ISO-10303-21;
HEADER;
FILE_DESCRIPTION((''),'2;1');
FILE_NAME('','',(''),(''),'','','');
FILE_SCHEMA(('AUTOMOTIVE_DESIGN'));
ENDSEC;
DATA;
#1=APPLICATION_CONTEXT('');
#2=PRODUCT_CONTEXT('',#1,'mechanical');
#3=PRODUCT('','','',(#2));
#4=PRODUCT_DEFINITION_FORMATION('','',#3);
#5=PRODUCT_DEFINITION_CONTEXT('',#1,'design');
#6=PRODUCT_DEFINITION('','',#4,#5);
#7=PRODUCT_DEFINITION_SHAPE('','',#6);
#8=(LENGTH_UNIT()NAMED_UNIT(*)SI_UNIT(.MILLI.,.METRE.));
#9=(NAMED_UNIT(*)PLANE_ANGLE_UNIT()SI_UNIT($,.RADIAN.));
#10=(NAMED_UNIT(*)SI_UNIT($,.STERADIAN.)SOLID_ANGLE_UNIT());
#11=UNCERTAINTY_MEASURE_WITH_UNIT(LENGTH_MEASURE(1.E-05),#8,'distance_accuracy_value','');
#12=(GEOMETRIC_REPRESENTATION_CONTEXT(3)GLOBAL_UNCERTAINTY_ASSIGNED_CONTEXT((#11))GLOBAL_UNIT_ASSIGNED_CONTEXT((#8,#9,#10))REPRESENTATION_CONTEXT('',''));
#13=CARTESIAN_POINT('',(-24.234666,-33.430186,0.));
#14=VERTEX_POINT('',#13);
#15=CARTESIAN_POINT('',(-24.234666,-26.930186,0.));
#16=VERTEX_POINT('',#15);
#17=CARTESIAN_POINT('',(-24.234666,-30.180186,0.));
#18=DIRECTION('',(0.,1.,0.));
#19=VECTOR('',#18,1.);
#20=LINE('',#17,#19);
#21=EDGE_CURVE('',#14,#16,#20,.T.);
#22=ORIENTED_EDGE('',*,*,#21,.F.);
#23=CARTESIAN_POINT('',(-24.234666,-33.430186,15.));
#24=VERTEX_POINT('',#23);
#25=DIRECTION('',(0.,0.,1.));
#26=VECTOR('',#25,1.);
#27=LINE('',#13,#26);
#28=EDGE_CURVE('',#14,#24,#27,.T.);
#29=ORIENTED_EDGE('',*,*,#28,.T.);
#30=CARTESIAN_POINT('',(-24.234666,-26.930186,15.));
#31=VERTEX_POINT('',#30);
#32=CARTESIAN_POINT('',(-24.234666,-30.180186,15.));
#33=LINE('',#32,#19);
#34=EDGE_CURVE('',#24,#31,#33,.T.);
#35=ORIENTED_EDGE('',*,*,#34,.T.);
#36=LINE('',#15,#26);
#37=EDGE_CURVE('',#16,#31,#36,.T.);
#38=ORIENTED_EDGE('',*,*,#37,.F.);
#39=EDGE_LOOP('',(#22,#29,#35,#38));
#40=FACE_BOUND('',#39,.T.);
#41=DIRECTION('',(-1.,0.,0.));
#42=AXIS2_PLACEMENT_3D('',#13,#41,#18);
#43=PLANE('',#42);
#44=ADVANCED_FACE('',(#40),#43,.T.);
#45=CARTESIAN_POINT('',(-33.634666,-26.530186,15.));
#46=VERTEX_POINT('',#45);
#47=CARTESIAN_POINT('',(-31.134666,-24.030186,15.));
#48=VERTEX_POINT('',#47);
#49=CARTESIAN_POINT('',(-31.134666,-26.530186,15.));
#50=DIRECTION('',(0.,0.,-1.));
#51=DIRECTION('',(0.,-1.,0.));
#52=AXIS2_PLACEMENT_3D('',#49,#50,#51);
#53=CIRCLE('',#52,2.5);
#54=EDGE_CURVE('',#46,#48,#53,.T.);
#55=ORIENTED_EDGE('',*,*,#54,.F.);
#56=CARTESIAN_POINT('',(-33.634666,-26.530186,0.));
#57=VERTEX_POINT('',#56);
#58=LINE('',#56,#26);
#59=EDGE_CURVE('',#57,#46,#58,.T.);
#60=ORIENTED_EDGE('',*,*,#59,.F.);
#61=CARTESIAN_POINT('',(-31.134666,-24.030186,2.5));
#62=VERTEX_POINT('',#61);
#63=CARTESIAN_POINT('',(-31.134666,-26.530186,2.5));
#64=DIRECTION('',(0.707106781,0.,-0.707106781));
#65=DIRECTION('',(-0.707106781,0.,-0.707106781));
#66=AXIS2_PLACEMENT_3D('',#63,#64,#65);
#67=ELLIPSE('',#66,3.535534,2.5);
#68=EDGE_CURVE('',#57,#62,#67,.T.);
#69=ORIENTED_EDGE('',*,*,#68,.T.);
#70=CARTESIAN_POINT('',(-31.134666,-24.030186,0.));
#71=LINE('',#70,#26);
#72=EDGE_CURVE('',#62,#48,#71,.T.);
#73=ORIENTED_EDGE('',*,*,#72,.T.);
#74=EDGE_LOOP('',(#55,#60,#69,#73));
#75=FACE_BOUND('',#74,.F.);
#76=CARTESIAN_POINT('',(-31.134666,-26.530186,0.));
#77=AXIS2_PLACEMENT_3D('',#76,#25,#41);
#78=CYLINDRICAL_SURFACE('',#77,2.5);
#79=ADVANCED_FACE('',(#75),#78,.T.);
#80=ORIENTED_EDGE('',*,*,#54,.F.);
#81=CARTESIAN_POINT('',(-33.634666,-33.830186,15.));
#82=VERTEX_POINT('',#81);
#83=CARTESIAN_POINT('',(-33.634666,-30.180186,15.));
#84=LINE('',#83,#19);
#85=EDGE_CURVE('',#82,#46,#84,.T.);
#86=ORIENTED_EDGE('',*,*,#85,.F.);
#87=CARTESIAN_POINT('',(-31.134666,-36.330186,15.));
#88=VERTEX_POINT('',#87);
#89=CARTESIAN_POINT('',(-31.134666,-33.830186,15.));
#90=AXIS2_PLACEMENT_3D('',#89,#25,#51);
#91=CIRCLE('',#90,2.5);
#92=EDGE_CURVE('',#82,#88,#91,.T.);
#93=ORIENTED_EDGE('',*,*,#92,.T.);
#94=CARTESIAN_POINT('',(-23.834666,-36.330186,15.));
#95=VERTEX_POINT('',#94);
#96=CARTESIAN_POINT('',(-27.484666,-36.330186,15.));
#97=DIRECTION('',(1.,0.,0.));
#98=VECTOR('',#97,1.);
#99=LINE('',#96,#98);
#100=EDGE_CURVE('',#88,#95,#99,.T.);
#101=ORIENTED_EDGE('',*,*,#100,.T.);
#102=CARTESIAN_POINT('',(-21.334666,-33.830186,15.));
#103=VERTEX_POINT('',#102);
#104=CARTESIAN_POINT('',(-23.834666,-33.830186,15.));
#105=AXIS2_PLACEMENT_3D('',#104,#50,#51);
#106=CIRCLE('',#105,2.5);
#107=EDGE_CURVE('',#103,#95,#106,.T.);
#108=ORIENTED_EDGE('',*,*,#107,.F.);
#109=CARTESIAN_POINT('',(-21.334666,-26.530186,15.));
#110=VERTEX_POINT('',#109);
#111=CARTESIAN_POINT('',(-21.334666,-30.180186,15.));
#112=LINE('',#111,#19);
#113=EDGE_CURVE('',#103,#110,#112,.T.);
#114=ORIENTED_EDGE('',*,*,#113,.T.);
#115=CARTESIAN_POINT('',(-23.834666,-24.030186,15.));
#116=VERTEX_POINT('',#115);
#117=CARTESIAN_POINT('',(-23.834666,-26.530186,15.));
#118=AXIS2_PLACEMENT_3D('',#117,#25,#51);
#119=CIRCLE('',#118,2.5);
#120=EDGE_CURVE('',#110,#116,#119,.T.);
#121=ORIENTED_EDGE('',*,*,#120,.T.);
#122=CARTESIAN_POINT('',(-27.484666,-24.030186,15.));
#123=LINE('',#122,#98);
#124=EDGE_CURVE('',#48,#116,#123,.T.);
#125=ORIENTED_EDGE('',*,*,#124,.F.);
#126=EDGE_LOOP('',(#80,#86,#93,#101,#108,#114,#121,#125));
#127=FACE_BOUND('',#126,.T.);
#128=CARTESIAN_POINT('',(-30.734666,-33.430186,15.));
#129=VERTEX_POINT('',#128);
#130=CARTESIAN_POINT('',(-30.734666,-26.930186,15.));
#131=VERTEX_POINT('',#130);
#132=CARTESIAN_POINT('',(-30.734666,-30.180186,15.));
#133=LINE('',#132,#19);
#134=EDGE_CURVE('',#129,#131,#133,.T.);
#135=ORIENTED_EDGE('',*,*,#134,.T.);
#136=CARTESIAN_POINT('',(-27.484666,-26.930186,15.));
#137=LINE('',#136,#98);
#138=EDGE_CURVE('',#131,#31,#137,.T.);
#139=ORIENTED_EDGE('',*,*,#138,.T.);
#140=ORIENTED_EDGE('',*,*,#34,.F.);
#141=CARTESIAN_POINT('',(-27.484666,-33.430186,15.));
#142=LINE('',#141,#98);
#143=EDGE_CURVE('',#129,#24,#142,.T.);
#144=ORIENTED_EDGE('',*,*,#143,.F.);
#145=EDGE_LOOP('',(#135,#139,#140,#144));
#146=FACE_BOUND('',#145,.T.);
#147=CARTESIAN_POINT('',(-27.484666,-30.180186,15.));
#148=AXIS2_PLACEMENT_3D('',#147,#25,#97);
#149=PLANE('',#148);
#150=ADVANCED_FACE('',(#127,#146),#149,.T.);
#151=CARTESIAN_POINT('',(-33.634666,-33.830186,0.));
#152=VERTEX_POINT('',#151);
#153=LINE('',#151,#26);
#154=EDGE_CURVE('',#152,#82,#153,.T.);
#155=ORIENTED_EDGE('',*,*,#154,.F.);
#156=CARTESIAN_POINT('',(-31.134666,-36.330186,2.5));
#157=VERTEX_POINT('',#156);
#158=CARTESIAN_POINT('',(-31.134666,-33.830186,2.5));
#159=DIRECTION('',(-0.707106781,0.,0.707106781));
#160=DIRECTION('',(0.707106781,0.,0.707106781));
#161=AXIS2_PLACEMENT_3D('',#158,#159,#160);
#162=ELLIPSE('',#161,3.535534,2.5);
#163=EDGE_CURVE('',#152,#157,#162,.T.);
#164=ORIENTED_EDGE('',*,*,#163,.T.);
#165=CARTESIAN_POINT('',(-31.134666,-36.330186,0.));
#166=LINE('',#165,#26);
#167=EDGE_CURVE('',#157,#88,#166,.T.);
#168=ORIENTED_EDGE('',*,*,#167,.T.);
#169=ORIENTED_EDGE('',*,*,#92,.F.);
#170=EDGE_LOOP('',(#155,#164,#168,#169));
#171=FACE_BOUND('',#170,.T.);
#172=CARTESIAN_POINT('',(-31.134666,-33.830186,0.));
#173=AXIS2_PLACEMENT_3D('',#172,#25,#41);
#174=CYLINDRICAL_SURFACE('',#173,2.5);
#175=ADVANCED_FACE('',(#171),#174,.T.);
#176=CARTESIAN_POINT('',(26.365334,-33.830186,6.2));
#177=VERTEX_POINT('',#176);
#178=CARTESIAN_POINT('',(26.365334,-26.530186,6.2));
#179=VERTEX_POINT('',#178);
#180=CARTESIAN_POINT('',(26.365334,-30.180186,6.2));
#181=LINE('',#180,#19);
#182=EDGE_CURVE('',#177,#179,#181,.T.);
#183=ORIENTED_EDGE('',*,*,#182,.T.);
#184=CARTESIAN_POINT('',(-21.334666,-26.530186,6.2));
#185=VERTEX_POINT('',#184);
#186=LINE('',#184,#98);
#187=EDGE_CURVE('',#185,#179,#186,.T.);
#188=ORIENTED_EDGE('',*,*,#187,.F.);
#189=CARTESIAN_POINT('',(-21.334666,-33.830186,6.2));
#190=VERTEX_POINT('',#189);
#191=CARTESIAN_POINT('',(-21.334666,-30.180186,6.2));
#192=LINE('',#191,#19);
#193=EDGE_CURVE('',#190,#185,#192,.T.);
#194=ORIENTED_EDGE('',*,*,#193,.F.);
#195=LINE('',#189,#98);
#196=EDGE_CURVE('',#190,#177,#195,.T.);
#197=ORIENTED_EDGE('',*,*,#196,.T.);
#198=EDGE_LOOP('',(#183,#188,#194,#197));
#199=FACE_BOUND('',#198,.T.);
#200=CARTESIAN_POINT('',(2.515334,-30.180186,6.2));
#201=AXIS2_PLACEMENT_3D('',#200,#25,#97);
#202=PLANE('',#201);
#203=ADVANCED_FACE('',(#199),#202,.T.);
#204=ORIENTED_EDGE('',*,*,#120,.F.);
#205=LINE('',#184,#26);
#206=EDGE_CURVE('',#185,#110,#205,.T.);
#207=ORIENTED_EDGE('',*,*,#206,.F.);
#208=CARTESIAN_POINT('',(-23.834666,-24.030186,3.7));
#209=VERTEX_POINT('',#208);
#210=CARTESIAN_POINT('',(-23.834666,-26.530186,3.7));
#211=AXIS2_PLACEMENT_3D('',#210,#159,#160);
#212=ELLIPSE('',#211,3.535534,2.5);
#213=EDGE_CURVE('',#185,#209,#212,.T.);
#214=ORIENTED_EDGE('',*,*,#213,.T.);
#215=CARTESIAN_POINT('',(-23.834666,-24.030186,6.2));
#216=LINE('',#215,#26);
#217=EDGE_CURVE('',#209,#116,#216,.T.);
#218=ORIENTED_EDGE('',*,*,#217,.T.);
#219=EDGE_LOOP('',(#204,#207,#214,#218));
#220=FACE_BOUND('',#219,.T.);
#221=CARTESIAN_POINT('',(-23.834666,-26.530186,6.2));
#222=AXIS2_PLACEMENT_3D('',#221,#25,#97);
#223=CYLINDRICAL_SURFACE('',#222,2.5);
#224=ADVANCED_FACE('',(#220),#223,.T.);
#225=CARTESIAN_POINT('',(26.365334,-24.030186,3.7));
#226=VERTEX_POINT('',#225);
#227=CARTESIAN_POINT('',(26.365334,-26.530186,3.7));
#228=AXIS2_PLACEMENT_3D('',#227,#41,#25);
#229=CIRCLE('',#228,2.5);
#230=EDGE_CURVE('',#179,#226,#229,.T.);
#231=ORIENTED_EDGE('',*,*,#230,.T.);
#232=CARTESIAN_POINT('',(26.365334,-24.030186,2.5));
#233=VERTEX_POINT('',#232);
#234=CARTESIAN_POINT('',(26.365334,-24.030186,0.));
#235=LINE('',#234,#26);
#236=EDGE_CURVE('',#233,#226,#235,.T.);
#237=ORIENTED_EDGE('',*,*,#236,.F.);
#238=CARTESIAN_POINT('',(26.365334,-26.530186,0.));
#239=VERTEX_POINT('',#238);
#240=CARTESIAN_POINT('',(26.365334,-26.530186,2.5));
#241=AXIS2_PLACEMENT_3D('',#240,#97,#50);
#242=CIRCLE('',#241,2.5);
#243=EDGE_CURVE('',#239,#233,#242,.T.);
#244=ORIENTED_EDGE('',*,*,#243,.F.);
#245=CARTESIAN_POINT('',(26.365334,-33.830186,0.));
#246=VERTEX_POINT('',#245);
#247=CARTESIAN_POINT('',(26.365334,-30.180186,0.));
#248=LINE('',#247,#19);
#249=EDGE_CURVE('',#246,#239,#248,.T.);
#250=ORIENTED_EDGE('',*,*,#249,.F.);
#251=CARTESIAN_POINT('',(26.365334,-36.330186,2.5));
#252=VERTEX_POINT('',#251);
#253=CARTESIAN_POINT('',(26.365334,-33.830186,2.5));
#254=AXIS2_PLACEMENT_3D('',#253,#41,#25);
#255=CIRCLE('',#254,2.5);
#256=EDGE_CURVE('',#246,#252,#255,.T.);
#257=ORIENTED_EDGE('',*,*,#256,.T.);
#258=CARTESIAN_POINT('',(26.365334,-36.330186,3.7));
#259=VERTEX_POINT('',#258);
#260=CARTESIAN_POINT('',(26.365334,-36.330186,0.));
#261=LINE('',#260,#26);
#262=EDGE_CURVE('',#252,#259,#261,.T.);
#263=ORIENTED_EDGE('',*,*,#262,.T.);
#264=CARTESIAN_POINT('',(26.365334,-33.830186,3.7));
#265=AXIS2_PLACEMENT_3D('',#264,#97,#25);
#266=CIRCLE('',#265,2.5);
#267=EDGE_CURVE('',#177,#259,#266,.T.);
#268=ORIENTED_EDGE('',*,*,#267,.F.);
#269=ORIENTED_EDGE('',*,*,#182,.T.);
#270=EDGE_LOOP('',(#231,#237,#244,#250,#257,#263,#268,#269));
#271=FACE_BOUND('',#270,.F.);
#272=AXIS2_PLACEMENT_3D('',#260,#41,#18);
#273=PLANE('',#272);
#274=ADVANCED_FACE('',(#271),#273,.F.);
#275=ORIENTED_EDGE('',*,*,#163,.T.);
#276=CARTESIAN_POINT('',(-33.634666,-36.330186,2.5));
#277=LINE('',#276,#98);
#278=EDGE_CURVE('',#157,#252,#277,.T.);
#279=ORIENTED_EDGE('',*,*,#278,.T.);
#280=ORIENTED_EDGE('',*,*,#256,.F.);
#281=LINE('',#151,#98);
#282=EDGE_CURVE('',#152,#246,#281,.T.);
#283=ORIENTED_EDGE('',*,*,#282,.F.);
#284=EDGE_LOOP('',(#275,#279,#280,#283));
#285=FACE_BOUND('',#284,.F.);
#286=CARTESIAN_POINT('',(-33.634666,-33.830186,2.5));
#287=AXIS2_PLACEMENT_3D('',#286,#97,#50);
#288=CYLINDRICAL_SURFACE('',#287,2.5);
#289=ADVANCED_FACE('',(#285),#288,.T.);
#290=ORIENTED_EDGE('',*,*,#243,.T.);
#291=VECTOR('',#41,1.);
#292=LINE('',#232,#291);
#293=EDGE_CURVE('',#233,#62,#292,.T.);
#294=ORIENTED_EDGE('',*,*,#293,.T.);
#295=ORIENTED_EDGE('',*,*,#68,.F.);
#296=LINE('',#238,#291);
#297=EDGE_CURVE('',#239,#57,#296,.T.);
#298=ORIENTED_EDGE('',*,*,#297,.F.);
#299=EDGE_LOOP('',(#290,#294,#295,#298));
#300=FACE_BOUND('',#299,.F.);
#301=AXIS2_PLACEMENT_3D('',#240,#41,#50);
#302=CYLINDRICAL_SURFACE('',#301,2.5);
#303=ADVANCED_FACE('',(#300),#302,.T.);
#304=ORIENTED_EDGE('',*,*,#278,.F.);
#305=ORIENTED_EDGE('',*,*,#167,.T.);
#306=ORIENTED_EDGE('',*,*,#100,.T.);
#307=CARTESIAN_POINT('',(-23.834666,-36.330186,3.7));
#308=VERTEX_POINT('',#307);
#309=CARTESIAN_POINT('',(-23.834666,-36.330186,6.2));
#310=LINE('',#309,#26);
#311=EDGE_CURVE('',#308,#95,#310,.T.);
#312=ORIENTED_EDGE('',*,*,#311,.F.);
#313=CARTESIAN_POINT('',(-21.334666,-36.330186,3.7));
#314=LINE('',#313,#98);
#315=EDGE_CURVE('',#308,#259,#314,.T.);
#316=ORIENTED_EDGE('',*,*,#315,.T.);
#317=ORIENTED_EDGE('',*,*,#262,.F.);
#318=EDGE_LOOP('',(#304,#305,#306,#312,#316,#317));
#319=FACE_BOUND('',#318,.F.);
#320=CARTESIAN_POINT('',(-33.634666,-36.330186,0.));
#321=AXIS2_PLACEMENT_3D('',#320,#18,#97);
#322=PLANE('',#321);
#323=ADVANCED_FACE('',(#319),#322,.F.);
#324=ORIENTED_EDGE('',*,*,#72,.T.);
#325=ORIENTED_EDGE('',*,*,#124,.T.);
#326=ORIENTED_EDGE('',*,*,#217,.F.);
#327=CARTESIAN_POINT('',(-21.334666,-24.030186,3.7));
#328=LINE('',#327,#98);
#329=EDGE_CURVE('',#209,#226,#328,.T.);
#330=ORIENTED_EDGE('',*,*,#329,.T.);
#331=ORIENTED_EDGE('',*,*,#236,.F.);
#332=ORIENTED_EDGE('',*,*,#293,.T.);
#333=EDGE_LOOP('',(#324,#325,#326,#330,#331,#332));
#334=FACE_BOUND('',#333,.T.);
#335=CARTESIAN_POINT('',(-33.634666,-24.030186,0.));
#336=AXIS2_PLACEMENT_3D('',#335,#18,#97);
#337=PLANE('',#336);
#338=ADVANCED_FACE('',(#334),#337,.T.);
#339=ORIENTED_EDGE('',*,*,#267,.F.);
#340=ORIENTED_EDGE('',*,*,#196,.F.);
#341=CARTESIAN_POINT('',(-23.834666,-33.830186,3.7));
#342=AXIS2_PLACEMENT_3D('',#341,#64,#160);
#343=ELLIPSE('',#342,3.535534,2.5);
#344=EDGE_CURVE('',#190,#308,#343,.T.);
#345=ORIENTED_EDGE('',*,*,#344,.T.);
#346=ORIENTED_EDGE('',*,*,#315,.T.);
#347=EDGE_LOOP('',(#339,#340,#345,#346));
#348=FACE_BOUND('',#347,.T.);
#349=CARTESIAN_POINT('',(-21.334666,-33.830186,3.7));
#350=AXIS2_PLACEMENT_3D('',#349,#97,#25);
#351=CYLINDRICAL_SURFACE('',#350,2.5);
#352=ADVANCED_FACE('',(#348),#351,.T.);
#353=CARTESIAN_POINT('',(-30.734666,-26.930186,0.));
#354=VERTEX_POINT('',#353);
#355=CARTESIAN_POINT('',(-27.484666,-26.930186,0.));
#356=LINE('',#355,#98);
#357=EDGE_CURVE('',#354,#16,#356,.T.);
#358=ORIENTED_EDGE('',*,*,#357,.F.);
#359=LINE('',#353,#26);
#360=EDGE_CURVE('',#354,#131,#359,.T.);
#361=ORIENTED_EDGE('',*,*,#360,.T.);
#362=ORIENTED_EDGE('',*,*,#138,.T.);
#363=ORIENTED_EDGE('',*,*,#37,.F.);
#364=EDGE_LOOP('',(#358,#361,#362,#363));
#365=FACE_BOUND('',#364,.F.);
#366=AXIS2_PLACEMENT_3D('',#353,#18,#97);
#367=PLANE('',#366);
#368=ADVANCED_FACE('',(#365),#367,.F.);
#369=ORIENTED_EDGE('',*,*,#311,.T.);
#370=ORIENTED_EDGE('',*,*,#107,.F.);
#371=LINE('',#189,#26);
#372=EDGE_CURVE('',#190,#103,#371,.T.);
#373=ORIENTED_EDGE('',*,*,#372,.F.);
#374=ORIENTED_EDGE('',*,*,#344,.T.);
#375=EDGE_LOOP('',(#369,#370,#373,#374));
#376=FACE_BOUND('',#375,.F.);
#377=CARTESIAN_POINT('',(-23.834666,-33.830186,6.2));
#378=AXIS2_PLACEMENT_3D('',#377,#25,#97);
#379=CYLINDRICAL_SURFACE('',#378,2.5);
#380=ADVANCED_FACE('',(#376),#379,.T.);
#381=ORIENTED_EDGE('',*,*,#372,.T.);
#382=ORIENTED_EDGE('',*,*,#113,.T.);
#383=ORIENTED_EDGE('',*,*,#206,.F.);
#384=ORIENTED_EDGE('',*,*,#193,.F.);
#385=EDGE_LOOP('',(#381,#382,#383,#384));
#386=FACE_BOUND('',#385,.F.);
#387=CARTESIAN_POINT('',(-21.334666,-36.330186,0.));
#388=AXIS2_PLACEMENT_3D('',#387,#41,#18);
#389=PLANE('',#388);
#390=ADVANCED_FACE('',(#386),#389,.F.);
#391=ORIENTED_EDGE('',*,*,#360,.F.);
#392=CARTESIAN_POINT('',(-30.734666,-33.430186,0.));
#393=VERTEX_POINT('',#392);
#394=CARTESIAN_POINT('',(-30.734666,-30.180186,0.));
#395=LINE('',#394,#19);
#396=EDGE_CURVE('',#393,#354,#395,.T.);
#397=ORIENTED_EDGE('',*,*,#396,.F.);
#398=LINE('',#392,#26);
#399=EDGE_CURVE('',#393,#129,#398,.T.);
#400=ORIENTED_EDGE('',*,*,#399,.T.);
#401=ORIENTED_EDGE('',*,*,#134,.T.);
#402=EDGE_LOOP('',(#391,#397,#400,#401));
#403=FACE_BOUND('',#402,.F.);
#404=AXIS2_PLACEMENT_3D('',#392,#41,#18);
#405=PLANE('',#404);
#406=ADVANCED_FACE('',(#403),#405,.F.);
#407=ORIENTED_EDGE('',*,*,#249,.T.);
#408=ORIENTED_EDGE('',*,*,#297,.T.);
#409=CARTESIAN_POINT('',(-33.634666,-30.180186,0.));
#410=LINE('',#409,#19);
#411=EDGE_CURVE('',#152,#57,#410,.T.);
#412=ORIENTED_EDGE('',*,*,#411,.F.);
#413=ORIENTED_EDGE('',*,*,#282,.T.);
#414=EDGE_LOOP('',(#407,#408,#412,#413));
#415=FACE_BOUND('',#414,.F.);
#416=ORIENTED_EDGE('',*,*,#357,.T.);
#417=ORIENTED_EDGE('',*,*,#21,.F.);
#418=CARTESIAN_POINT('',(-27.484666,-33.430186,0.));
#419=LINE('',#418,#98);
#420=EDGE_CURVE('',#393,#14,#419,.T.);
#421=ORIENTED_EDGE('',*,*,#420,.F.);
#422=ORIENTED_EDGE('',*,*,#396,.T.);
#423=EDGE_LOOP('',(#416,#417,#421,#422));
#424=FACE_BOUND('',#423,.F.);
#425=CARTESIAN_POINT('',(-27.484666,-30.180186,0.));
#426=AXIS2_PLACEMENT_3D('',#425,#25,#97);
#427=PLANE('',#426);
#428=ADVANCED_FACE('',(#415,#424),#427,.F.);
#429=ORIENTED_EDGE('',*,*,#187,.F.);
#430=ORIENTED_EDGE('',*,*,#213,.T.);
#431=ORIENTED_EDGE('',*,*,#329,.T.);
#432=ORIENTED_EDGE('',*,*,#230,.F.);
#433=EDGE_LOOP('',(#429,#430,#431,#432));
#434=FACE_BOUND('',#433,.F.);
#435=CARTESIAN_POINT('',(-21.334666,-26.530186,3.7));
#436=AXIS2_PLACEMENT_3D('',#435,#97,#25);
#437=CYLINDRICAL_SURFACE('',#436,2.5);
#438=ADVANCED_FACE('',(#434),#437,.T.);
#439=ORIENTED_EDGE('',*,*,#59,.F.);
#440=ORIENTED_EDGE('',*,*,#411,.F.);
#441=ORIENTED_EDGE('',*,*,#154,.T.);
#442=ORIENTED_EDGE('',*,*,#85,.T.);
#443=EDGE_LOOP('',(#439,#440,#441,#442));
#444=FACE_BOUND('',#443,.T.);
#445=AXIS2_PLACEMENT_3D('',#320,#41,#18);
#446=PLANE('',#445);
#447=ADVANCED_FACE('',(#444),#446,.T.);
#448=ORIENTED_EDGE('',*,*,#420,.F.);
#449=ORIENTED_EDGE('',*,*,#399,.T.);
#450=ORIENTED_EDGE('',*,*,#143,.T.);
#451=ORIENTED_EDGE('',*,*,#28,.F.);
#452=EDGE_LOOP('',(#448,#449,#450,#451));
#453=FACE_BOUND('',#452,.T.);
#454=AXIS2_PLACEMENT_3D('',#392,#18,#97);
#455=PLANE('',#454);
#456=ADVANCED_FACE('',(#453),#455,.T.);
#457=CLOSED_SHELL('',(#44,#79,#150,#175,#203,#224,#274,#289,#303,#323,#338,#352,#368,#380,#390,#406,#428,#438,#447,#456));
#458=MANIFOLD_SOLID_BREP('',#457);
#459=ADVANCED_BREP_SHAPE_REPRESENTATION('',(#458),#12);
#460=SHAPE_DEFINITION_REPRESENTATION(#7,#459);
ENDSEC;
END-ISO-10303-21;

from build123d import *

# Parameters (mm, degrees)
F0_W     = 47.7
F0_H     = 12.3
F1_DEPTH = 6.2
F0_W_2   = 12.3
F0_W_3   = 6.5
F0_H_2   = 6.5
F2_DEPTH = 15
F3_R     = 2.5


with BuildPart() as f1:
    # F0 (on Top) → F1 (new body)
    with BuildSketch(Plane.XY):
        with Locations((2.515334, -30.180186)):
            Rectangle(F0_W, F0_H)
    extrude(amount=F1_DEPTH)

    # F0 (on Top) → F2 (join)
    with BuildSketch(Plane.XY):
        with Locations((-27.484666, -30.180186)):
            Rectangle(F0_W_2, F0_H)
        with Locations((-27.484666, -30.180186)):
            Rectangle(F0_W_3, F0_H_2, mode=Mode.SUBTRACT)
    extrude(amount=F2_DEPTH)

    # F3
    f3_edges = [f1.edges().sort_by_distance(p)[0] for p in [
        (2.515334, -36.330186, 6.2),
        (2.515334, -24.030186, 6.2),
        (-3.634666, -24.030186, 0),
        (-3.634666, -36.330186, 0),
        (-33.634666, -36.330186, 7.5),
        (-21.334666, -36.330186, 10.6),
        (-21.334666, -24.030186, 10.6),
        (-33.634666, -24.030186, 7.5),
    ]]
    fillet(f3_edges, radius=F3_R)


solid = f1.part
